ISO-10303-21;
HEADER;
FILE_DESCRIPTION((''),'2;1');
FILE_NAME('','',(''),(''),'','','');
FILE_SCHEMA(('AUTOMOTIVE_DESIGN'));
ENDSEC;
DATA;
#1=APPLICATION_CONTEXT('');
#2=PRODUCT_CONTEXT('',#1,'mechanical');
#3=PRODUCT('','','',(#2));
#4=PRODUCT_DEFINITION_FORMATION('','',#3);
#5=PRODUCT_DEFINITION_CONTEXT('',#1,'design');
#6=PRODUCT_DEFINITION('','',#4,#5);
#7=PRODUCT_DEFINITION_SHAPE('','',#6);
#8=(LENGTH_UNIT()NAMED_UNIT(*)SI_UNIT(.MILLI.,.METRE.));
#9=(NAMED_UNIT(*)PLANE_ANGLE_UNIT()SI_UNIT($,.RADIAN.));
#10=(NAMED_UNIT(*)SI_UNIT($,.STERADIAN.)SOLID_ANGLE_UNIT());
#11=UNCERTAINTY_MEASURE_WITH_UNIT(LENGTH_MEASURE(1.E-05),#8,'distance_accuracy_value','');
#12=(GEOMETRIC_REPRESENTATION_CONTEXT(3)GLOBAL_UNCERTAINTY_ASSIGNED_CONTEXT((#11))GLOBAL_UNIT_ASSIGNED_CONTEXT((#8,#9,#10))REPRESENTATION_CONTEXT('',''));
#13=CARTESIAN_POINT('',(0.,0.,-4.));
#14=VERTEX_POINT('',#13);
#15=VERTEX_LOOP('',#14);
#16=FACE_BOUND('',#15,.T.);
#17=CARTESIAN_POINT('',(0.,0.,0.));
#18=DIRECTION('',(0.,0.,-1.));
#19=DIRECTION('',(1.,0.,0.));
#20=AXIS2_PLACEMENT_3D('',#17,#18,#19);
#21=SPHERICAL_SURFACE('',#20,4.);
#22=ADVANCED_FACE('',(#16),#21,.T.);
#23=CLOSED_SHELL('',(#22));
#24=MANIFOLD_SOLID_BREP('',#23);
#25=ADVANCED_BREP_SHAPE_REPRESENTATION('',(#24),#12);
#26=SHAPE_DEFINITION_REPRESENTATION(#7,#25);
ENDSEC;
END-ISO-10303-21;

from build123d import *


with BuildPart() as part:
    # Sketch1 → Revolve1 (revolve)
    with BuildSketch(Plane(origin=(0, 0, 0), x_dir=(1, 0, 0), z_dir=(0, 1, 0))):
        with BuildLine():
            Line((0, 4), (0, -4))
            ThreePointArc((0, -4), (4, 0), (0, 4))
        make_face()
    revolve(axis=Axis((0, 0, 4), (0, 0, -1)))


solid = part.part
